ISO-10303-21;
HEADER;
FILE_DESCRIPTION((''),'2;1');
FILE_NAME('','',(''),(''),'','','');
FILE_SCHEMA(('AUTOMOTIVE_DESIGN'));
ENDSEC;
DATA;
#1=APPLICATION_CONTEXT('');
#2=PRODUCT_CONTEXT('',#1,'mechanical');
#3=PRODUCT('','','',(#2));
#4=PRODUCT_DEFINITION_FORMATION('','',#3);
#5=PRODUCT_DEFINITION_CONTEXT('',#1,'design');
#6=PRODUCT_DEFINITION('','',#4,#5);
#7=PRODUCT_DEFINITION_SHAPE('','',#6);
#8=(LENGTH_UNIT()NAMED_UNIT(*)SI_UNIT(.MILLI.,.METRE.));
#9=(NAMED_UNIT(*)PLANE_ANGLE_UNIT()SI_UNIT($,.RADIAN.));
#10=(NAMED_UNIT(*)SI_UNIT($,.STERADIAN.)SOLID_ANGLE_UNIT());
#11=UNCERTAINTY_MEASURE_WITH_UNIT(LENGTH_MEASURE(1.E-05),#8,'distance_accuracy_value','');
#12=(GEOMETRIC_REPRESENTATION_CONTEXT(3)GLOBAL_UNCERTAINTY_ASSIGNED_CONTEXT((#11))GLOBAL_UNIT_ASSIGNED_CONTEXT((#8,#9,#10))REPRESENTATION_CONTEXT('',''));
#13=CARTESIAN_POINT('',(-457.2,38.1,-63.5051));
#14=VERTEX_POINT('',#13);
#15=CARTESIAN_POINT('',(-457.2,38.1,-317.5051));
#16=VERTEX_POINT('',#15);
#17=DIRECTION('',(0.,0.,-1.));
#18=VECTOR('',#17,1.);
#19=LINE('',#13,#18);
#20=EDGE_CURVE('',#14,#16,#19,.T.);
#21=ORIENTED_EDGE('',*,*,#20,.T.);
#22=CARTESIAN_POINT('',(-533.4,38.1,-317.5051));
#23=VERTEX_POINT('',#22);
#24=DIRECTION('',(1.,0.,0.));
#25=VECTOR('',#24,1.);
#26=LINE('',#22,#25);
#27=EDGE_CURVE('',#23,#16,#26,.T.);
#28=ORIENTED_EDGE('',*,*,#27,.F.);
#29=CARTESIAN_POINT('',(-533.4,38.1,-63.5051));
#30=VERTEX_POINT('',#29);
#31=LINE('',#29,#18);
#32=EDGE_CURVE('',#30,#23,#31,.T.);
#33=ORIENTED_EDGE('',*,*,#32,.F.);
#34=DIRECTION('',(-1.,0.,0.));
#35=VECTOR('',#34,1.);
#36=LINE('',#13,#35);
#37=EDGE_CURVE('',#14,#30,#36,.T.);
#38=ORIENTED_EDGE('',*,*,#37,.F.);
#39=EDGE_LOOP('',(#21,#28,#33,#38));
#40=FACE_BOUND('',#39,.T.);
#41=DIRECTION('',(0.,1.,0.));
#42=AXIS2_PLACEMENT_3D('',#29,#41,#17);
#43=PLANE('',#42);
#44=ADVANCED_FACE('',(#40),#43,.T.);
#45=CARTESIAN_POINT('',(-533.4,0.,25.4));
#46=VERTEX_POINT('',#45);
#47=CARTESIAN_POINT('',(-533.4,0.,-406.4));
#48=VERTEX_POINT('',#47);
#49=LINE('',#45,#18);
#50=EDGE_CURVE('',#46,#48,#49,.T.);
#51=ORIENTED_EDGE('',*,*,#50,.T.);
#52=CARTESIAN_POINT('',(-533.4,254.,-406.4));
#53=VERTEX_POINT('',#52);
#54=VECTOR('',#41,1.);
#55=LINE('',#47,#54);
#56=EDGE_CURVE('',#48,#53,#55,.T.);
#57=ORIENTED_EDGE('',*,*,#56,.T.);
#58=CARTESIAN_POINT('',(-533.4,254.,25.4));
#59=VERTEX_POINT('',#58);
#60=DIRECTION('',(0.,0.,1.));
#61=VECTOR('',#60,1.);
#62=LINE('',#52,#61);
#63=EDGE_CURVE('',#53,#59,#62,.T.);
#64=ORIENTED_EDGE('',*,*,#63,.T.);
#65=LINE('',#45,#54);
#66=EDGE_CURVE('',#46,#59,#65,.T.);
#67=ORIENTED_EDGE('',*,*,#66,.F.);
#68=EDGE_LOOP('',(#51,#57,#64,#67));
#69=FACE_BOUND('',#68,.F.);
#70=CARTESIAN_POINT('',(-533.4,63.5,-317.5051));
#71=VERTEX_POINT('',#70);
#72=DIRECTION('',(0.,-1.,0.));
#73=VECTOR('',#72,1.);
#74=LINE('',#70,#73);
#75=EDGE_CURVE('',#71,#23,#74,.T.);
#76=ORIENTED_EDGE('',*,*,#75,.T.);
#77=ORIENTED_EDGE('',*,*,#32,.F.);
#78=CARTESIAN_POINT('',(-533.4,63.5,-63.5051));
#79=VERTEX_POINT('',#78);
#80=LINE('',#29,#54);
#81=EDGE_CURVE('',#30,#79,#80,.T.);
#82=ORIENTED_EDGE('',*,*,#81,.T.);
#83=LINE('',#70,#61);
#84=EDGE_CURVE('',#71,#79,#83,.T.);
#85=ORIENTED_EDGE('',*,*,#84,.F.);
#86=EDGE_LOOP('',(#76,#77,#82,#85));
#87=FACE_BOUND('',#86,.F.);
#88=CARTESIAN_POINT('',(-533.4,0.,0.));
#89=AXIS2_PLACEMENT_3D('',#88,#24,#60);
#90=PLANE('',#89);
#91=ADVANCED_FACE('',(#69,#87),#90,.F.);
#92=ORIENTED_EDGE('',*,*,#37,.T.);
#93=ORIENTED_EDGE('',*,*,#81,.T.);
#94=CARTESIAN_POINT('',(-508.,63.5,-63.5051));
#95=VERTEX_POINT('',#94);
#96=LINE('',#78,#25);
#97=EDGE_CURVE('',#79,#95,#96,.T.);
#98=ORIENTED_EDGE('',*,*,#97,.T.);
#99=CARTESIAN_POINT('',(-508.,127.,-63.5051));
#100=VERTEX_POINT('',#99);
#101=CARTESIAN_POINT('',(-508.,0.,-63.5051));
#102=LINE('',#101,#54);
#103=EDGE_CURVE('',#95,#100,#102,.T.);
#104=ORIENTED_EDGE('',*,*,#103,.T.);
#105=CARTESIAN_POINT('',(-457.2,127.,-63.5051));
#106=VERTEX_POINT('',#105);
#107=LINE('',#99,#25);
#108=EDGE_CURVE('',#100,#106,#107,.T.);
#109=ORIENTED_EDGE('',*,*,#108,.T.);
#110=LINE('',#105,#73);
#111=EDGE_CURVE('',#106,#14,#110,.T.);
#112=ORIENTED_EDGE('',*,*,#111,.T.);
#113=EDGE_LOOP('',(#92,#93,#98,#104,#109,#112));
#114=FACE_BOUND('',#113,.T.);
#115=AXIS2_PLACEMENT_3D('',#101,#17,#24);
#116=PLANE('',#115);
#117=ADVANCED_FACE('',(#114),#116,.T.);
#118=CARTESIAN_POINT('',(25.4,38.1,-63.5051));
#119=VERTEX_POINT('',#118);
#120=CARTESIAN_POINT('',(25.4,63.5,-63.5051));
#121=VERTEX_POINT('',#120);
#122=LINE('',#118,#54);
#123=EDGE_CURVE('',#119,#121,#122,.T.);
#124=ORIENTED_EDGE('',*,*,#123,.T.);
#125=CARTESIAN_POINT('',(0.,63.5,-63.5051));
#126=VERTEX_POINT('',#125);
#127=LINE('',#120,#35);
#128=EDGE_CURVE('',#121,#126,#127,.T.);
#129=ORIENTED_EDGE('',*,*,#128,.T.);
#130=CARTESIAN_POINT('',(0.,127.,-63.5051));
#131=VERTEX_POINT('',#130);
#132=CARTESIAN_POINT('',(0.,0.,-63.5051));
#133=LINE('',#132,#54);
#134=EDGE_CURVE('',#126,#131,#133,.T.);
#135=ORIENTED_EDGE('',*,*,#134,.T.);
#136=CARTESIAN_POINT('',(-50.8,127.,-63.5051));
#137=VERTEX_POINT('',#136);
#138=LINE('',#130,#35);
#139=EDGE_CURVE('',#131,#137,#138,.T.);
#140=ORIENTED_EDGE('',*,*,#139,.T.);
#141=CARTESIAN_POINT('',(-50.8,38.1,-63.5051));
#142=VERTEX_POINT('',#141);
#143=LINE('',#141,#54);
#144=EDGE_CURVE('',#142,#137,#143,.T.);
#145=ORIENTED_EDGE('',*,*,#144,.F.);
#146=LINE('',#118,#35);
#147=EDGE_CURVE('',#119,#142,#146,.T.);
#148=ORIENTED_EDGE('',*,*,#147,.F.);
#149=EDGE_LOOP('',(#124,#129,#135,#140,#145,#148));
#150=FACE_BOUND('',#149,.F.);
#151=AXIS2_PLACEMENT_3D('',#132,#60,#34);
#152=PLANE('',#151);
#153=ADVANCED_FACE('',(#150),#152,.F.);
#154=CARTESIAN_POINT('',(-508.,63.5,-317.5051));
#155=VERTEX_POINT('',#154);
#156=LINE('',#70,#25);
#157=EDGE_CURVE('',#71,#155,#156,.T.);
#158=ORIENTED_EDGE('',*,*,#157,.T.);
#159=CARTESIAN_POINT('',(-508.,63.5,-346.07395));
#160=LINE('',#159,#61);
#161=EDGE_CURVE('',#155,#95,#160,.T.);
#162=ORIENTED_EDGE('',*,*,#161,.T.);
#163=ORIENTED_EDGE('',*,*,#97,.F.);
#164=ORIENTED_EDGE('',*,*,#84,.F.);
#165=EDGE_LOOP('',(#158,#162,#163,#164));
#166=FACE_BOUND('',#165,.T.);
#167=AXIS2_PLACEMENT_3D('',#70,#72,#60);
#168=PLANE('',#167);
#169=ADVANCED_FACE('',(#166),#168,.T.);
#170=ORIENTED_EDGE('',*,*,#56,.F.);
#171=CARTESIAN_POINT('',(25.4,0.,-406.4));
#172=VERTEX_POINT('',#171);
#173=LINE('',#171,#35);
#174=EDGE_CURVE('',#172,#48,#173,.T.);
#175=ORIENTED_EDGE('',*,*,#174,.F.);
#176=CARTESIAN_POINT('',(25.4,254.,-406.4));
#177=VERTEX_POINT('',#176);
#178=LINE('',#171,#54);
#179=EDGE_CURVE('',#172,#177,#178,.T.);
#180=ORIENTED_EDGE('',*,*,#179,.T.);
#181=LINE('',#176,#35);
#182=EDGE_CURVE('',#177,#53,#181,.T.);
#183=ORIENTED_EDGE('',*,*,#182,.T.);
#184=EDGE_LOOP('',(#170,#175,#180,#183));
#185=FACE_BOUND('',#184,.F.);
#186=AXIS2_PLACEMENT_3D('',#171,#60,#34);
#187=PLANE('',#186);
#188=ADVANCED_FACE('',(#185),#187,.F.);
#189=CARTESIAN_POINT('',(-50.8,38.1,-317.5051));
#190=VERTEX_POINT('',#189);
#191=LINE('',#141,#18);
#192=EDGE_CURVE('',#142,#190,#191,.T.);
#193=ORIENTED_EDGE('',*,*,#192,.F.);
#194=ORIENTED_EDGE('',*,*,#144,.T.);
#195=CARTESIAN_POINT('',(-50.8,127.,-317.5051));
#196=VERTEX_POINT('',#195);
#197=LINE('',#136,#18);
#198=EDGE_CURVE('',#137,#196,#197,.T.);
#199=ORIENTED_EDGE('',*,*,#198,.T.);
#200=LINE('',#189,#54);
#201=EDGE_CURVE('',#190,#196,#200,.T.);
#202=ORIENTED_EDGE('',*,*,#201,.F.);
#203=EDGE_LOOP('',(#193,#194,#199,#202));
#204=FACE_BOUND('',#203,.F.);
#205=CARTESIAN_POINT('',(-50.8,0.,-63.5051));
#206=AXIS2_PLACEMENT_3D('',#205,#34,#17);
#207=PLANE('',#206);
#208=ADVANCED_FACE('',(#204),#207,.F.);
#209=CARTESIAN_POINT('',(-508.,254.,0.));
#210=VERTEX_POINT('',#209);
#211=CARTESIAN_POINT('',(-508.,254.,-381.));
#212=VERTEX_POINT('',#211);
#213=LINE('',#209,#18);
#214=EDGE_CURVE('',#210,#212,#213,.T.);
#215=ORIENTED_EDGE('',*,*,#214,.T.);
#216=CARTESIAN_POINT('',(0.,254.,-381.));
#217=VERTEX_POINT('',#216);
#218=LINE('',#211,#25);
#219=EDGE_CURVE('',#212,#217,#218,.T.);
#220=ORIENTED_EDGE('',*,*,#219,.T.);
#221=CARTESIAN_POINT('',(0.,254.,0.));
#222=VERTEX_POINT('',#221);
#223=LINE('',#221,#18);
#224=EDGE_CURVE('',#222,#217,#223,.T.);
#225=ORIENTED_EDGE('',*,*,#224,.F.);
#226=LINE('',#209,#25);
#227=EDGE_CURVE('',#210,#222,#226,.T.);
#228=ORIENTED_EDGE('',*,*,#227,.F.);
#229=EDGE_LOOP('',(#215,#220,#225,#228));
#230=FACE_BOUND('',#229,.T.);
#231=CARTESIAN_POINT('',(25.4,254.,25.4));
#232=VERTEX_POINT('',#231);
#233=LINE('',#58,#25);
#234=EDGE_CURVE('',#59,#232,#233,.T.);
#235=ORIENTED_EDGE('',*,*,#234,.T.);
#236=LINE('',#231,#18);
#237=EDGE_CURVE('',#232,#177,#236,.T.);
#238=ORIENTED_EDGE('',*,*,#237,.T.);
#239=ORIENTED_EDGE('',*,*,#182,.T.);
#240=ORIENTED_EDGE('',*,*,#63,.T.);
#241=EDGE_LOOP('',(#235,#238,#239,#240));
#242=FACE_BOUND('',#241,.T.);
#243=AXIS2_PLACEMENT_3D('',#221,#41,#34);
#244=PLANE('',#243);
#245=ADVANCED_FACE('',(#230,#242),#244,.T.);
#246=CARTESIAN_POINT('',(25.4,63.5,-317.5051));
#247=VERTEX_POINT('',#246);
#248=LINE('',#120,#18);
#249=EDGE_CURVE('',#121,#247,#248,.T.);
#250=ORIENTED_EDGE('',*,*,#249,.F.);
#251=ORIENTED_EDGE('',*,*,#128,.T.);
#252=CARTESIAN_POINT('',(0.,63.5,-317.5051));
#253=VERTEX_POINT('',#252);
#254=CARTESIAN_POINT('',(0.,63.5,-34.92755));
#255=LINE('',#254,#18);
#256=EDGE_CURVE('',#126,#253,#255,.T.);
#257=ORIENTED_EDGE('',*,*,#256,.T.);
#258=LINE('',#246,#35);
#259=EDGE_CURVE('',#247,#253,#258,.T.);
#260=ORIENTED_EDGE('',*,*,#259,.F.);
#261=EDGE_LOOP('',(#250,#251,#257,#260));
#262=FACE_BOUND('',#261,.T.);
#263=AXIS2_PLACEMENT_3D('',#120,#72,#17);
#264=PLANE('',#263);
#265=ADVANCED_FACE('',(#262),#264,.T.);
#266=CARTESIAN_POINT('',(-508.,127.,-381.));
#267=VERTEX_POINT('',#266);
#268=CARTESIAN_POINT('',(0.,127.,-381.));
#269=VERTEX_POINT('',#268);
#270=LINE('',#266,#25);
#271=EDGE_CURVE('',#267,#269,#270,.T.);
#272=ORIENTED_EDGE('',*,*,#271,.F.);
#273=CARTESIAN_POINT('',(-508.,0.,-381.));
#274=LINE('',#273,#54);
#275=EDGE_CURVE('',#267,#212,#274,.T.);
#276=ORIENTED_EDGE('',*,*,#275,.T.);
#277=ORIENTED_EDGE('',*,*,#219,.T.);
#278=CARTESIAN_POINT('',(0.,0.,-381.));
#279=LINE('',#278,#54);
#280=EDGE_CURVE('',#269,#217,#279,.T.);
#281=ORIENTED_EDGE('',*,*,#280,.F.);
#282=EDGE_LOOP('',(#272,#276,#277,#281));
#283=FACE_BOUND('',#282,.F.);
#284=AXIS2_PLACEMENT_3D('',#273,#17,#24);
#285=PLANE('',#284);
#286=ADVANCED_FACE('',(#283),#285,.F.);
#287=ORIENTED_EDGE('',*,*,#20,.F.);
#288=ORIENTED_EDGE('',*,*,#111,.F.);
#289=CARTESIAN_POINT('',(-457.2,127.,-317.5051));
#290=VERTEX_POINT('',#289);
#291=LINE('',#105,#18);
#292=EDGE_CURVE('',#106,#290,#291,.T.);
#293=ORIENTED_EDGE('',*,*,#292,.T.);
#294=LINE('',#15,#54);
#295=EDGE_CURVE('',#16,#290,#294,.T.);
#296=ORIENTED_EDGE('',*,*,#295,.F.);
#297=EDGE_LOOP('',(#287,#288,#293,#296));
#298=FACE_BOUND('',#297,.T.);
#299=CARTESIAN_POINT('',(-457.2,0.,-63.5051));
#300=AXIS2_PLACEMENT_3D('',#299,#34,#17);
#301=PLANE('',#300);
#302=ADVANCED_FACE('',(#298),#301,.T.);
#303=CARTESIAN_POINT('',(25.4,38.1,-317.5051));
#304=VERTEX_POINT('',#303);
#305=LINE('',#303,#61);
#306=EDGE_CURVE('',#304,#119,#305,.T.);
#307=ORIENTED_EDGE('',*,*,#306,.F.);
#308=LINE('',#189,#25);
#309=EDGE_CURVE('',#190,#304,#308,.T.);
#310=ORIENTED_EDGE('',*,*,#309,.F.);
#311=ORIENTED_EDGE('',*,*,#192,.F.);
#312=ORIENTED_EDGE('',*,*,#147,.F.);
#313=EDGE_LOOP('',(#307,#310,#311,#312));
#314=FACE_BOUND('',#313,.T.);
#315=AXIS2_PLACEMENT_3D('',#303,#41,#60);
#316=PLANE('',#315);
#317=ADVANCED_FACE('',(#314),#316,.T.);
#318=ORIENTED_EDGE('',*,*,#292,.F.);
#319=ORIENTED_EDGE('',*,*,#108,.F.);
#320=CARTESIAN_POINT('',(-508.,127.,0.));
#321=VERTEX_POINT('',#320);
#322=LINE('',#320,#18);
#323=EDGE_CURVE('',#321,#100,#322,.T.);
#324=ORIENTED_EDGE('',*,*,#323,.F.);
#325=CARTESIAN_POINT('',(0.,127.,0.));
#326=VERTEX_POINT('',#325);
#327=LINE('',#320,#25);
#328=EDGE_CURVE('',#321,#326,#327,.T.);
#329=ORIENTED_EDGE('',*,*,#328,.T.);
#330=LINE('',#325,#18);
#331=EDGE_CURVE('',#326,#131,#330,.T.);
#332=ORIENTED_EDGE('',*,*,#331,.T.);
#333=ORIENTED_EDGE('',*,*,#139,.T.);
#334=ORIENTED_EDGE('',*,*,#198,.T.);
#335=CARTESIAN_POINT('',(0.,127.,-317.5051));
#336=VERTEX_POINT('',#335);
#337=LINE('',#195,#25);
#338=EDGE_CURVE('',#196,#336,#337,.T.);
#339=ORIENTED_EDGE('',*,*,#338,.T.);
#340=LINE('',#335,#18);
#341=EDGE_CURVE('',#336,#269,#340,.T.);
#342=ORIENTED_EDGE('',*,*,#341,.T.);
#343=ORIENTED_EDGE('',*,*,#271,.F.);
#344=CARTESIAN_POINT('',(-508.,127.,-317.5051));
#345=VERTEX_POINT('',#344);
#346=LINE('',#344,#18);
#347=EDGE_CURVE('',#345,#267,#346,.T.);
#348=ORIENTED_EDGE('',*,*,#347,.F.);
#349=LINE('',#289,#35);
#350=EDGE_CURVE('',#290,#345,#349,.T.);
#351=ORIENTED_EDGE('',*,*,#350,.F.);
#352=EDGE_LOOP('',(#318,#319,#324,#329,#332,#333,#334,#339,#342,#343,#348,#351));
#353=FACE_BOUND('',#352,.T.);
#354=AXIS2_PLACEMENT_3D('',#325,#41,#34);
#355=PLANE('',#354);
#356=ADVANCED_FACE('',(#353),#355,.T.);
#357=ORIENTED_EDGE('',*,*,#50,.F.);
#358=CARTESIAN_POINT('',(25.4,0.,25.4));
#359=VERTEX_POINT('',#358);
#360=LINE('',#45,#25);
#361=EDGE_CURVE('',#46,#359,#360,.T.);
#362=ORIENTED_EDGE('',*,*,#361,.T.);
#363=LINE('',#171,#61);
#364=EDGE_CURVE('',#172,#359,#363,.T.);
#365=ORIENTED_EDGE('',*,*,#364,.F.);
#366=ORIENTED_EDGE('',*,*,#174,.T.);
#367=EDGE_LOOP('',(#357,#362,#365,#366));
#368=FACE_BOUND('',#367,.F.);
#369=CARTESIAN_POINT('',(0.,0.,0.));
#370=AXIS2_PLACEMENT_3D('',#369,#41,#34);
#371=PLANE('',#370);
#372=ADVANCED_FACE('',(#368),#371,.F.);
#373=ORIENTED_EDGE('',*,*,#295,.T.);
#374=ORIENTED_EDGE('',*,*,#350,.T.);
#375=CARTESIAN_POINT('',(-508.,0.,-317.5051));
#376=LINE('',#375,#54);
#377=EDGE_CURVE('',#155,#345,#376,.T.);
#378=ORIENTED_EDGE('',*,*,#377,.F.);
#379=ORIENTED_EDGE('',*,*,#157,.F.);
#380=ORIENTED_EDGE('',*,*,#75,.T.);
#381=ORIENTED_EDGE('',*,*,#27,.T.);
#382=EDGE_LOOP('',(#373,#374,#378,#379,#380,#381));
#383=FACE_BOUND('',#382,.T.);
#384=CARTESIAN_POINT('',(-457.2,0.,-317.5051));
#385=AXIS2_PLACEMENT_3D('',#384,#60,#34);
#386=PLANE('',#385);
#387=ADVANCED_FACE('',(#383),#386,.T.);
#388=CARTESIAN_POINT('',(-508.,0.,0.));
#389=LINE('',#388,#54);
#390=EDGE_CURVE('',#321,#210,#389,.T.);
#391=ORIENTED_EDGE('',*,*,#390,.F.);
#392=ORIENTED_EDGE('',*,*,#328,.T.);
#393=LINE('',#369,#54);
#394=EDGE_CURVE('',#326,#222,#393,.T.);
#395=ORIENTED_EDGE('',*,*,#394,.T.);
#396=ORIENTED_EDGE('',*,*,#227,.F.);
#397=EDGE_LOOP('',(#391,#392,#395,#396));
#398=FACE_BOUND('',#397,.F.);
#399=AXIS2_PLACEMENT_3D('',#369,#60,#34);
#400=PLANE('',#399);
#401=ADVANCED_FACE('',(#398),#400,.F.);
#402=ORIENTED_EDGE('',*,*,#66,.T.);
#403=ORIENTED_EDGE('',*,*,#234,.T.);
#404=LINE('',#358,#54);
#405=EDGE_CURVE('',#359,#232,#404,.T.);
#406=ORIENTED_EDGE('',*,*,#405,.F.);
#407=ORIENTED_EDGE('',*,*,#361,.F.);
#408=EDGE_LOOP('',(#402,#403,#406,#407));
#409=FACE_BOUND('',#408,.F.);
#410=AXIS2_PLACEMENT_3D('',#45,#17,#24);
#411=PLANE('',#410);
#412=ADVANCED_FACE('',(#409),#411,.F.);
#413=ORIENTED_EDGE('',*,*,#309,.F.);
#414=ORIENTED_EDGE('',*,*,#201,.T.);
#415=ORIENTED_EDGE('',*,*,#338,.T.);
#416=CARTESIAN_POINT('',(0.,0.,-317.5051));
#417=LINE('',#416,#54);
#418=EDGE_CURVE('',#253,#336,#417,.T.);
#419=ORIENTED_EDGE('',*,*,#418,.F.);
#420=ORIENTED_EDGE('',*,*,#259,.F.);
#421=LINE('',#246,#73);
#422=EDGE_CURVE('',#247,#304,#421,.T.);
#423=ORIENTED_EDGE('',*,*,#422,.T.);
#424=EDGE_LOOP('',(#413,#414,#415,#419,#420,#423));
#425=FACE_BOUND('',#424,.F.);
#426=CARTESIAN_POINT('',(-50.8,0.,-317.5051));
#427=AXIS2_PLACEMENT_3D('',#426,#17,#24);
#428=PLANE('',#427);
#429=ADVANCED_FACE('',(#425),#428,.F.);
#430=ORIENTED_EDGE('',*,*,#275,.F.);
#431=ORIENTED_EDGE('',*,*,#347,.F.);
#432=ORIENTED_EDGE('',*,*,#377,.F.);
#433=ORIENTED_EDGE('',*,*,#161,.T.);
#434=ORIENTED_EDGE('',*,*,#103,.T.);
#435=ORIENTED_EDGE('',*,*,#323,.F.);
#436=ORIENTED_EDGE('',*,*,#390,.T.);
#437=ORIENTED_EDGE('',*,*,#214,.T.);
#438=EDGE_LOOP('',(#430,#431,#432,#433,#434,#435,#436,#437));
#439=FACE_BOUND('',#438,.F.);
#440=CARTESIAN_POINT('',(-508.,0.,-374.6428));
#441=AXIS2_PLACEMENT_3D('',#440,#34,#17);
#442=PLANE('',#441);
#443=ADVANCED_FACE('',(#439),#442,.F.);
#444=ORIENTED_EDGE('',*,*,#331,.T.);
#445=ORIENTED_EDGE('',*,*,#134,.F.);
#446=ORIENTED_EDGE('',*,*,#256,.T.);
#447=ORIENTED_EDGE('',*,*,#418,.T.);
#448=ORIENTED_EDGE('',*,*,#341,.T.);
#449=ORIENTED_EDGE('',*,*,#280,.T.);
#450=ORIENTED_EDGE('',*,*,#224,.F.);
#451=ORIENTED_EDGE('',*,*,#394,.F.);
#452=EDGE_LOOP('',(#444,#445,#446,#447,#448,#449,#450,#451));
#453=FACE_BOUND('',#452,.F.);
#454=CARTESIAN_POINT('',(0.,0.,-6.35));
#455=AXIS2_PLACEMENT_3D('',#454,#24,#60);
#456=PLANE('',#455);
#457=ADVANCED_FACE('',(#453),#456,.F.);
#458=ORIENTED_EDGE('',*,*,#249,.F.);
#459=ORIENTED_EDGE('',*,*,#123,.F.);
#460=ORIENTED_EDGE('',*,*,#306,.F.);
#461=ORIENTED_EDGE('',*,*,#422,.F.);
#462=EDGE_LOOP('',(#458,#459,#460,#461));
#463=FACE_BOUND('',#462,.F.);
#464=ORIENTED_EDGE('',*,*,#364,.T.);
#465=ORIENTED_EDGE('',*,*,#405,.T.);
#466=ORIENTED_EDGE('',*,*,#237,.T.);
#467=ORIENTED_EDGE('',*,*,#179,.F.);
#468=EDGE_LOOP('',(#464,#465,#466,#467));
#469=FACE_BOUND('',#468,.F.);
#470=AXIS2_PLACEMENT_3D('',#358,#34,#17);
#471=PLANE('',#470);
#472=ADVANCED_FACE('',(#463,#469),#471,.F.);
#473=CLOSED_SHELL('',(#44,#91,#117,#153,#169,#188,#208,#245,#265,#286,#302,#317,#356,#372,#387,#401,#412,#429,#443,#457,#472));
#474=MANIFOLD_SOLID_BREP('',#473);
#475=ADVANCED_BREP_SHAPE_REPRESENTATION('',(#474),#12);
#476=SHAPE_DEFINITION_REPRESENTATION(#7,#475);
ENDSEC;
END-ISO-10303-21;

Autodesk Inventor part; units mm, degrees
ref_plane "YZ Plane" through (0, 0, 0) normal (1, 0, 0) x (0, 1, 0)
ref_plane "XZ Plane" through (0, 0, 0) normal (0, 1, 0) x (-1, 0, 0)
ref_plane "XY Plane" through (0, 0, 0) normal (0, 0, 1) x (1, 0, 0)
sketch "Sketch1" plane through (0, 0, 0) normal (0, 1, 0) x (-1, 0, 0)
  line L0 (0, 0) -> (508, 0)
  line L1 (508, 0) -> (508, -381)
  line L2 (508, -381) -> (0, -381)
  line L3 (0, -381) -> (0, 0)
  line L4 (0, 0) -> (50.8, 0)
  line L5 (0, 0) -> (0, -12.7)
  line L6 (0, -6.35) -> (0, -57.1551)
  line L7 (0, -6.35) -> (50.8, -6.35)
  line L8 (50.8, -6.35) -> (50.8, -57.1551)
  line L9 (50.8, -57.1551) -> (0, -57.1551)
  line L10 (0, -57.1551) -> (0, -6.35)
  line L11 (0, -57.1551) -> (0, -66.0049)
  line L12 (0, -57.1551) -> (0, -69.8551)
  line L13 (0, -57.1551) -> (0, -63.5051)
  line L14 (0, -63.5051) -> (0, -317.5051)
  line L15 (0, -63.5051) -> (50.8, -63.5051)
  line L16 (50.8, -63.5051) -> (50.8, -317.5051)
  line L17 (50.8, -317.5051) -> (0, -317.5051)
  line L18 (0, -317.5051) -> (0, -63.5051)
  line L19 (0, -381) -> (0, -374.6428)
  line L20 (0, -317.5051) -> (0, -323.8478)
  line L21 (0, -323.8478) -> (50.8, -323.8478)
  line L22 (50.8, -323.8478) -> (50.8, -374.6428)
  line L23 (50.8, -374.6428) -> (0, -374.6428)
  line L24 (0, -374.6428) -> (0, -323.8478)
  line L25 (508, 0) -> (457.2, 0)
  line L26 (508, -6.35) -> (457.2, -6.35)
  line L27 (457.2, -6.35) -> (457.2, -57.1551)
  line L28 (457.2, -57.1551) -> (508, -57.1551)
  line L29 (508, -57.1551) -> (508, -6.35)
  line L30 (508, -63.5051) -> (457.2, -63.5051)
  line L31 (457.2, -63.5051) -> (457.2, -317.5051)
  line L32 (457.2, -317.5051) -> (508, -317.5051)
  line L33 (508, -317.5051) -> (508, -63.5051)
  line L34 (508, -323.8478) -> (457.2, -323.8478)
  line L35 (457.2, -323.8478) -> (457.2, -374.6428)
  line L36 (457.2, -374.6428) -> (508, -374.6428)
  line L37 (508, -374.6428) -> (508, -323.8478)
  line L38 (508, 0) -> (533.4, 0)
  line L39 (533.4, 0) -> (533.4, 25.4)
  line L40 (0, -381) -> (-25.4, -381)
  line L41 (-25.4, -381) -> (-25.4, -406.4)
  line L42 (533.4, 25.4) -> (-25.4, 25.4)
  line L43 (-25.4, 25.4) -> (-25.4, -406.4)
  line L44 (-25.4, -406.4) -> (533.4, -406.4)
  line L45 (533.4, -406.4) -> (533.4, 25.4)
extrude "Extrusion1" add sketch "Sketch1" along normal blind 254 contours L3 L40 L43 L42 L39 L38 L0 | L38 L45 L44 L41 L40 L2 L1
extrude "Extrusion2" add sketch "Sketch1" along normal blind 127 contours L0 L1 L26 L27 L28 L30 L31 L32 L34 L35 L36 L2 L3 L23 L22 L21 L17 L16 L15 L9 L8 L7
extrude "Extrusion3" add sketch "Sketch1" along normal blind 127 contours L7 L8 L9 L3 | L1 L28 L27 L26 | L1 L36 L35 L34 | L21 L22 L23 L3
extrude "Extrusion4" add sketch "Sketch1" along normal blind 38.1 contours L15 L16 L17 L3 | L1 L32 L31 L30
sketch "Sketch2" plane through (25.4, 0, 25.4) normal (1, 0, 0) x (0, 0, -1)
  line L0 (342.9051, 38.1) -> (88.9051, 38.1) projected
  line L1 (88.9051, 38.1) -> (88.9051, 63.5)
  line L2 (88.9051, 127) -> (88.9051, 38.1) projected
  line L3 (88.9051, 63.5) -> (342.9051, 63.5)
  line L4 (342.9051, 63.5) -> (342.9051, 38.1)
  line L5 (342.9051, 38.1) -> (88.9051, 38.1)
  line L6 (88.9051, 38.1) -> (88.9051, 63.5)
  point P0 (25.4, 0)
  dimension "d21" = 25.4
extrude "Extrusion5" cut sketch "Sketch2" against normal blind 76.2
sketch "Sketch3" plane through (-533.4, 0, -406.4) normal (-1, 0, 0) x (0, 0, 1)
  line L0 (88.8949, 63.5) -> (88.8949, 38.1) projected
  line L1 (342.8949, 38.1) -> (342.8949, 127) projected
  line L2 (88.8949, 63.5) -> (342.8949, 63.5)
  line L3 (342.8949, 63.5) -> (342.8949, 38.1)
  line L4 (342.8949, 38.1) -> (88.8949, 38.1)
  line L5 (88.8949, 38.1) -> (88.8949, 63.5)
  point P0 (406.4, 0)
extrude "Extrusion6" cut sketch "Sketch3" against normal blind 76.2
properties part number "Board"
